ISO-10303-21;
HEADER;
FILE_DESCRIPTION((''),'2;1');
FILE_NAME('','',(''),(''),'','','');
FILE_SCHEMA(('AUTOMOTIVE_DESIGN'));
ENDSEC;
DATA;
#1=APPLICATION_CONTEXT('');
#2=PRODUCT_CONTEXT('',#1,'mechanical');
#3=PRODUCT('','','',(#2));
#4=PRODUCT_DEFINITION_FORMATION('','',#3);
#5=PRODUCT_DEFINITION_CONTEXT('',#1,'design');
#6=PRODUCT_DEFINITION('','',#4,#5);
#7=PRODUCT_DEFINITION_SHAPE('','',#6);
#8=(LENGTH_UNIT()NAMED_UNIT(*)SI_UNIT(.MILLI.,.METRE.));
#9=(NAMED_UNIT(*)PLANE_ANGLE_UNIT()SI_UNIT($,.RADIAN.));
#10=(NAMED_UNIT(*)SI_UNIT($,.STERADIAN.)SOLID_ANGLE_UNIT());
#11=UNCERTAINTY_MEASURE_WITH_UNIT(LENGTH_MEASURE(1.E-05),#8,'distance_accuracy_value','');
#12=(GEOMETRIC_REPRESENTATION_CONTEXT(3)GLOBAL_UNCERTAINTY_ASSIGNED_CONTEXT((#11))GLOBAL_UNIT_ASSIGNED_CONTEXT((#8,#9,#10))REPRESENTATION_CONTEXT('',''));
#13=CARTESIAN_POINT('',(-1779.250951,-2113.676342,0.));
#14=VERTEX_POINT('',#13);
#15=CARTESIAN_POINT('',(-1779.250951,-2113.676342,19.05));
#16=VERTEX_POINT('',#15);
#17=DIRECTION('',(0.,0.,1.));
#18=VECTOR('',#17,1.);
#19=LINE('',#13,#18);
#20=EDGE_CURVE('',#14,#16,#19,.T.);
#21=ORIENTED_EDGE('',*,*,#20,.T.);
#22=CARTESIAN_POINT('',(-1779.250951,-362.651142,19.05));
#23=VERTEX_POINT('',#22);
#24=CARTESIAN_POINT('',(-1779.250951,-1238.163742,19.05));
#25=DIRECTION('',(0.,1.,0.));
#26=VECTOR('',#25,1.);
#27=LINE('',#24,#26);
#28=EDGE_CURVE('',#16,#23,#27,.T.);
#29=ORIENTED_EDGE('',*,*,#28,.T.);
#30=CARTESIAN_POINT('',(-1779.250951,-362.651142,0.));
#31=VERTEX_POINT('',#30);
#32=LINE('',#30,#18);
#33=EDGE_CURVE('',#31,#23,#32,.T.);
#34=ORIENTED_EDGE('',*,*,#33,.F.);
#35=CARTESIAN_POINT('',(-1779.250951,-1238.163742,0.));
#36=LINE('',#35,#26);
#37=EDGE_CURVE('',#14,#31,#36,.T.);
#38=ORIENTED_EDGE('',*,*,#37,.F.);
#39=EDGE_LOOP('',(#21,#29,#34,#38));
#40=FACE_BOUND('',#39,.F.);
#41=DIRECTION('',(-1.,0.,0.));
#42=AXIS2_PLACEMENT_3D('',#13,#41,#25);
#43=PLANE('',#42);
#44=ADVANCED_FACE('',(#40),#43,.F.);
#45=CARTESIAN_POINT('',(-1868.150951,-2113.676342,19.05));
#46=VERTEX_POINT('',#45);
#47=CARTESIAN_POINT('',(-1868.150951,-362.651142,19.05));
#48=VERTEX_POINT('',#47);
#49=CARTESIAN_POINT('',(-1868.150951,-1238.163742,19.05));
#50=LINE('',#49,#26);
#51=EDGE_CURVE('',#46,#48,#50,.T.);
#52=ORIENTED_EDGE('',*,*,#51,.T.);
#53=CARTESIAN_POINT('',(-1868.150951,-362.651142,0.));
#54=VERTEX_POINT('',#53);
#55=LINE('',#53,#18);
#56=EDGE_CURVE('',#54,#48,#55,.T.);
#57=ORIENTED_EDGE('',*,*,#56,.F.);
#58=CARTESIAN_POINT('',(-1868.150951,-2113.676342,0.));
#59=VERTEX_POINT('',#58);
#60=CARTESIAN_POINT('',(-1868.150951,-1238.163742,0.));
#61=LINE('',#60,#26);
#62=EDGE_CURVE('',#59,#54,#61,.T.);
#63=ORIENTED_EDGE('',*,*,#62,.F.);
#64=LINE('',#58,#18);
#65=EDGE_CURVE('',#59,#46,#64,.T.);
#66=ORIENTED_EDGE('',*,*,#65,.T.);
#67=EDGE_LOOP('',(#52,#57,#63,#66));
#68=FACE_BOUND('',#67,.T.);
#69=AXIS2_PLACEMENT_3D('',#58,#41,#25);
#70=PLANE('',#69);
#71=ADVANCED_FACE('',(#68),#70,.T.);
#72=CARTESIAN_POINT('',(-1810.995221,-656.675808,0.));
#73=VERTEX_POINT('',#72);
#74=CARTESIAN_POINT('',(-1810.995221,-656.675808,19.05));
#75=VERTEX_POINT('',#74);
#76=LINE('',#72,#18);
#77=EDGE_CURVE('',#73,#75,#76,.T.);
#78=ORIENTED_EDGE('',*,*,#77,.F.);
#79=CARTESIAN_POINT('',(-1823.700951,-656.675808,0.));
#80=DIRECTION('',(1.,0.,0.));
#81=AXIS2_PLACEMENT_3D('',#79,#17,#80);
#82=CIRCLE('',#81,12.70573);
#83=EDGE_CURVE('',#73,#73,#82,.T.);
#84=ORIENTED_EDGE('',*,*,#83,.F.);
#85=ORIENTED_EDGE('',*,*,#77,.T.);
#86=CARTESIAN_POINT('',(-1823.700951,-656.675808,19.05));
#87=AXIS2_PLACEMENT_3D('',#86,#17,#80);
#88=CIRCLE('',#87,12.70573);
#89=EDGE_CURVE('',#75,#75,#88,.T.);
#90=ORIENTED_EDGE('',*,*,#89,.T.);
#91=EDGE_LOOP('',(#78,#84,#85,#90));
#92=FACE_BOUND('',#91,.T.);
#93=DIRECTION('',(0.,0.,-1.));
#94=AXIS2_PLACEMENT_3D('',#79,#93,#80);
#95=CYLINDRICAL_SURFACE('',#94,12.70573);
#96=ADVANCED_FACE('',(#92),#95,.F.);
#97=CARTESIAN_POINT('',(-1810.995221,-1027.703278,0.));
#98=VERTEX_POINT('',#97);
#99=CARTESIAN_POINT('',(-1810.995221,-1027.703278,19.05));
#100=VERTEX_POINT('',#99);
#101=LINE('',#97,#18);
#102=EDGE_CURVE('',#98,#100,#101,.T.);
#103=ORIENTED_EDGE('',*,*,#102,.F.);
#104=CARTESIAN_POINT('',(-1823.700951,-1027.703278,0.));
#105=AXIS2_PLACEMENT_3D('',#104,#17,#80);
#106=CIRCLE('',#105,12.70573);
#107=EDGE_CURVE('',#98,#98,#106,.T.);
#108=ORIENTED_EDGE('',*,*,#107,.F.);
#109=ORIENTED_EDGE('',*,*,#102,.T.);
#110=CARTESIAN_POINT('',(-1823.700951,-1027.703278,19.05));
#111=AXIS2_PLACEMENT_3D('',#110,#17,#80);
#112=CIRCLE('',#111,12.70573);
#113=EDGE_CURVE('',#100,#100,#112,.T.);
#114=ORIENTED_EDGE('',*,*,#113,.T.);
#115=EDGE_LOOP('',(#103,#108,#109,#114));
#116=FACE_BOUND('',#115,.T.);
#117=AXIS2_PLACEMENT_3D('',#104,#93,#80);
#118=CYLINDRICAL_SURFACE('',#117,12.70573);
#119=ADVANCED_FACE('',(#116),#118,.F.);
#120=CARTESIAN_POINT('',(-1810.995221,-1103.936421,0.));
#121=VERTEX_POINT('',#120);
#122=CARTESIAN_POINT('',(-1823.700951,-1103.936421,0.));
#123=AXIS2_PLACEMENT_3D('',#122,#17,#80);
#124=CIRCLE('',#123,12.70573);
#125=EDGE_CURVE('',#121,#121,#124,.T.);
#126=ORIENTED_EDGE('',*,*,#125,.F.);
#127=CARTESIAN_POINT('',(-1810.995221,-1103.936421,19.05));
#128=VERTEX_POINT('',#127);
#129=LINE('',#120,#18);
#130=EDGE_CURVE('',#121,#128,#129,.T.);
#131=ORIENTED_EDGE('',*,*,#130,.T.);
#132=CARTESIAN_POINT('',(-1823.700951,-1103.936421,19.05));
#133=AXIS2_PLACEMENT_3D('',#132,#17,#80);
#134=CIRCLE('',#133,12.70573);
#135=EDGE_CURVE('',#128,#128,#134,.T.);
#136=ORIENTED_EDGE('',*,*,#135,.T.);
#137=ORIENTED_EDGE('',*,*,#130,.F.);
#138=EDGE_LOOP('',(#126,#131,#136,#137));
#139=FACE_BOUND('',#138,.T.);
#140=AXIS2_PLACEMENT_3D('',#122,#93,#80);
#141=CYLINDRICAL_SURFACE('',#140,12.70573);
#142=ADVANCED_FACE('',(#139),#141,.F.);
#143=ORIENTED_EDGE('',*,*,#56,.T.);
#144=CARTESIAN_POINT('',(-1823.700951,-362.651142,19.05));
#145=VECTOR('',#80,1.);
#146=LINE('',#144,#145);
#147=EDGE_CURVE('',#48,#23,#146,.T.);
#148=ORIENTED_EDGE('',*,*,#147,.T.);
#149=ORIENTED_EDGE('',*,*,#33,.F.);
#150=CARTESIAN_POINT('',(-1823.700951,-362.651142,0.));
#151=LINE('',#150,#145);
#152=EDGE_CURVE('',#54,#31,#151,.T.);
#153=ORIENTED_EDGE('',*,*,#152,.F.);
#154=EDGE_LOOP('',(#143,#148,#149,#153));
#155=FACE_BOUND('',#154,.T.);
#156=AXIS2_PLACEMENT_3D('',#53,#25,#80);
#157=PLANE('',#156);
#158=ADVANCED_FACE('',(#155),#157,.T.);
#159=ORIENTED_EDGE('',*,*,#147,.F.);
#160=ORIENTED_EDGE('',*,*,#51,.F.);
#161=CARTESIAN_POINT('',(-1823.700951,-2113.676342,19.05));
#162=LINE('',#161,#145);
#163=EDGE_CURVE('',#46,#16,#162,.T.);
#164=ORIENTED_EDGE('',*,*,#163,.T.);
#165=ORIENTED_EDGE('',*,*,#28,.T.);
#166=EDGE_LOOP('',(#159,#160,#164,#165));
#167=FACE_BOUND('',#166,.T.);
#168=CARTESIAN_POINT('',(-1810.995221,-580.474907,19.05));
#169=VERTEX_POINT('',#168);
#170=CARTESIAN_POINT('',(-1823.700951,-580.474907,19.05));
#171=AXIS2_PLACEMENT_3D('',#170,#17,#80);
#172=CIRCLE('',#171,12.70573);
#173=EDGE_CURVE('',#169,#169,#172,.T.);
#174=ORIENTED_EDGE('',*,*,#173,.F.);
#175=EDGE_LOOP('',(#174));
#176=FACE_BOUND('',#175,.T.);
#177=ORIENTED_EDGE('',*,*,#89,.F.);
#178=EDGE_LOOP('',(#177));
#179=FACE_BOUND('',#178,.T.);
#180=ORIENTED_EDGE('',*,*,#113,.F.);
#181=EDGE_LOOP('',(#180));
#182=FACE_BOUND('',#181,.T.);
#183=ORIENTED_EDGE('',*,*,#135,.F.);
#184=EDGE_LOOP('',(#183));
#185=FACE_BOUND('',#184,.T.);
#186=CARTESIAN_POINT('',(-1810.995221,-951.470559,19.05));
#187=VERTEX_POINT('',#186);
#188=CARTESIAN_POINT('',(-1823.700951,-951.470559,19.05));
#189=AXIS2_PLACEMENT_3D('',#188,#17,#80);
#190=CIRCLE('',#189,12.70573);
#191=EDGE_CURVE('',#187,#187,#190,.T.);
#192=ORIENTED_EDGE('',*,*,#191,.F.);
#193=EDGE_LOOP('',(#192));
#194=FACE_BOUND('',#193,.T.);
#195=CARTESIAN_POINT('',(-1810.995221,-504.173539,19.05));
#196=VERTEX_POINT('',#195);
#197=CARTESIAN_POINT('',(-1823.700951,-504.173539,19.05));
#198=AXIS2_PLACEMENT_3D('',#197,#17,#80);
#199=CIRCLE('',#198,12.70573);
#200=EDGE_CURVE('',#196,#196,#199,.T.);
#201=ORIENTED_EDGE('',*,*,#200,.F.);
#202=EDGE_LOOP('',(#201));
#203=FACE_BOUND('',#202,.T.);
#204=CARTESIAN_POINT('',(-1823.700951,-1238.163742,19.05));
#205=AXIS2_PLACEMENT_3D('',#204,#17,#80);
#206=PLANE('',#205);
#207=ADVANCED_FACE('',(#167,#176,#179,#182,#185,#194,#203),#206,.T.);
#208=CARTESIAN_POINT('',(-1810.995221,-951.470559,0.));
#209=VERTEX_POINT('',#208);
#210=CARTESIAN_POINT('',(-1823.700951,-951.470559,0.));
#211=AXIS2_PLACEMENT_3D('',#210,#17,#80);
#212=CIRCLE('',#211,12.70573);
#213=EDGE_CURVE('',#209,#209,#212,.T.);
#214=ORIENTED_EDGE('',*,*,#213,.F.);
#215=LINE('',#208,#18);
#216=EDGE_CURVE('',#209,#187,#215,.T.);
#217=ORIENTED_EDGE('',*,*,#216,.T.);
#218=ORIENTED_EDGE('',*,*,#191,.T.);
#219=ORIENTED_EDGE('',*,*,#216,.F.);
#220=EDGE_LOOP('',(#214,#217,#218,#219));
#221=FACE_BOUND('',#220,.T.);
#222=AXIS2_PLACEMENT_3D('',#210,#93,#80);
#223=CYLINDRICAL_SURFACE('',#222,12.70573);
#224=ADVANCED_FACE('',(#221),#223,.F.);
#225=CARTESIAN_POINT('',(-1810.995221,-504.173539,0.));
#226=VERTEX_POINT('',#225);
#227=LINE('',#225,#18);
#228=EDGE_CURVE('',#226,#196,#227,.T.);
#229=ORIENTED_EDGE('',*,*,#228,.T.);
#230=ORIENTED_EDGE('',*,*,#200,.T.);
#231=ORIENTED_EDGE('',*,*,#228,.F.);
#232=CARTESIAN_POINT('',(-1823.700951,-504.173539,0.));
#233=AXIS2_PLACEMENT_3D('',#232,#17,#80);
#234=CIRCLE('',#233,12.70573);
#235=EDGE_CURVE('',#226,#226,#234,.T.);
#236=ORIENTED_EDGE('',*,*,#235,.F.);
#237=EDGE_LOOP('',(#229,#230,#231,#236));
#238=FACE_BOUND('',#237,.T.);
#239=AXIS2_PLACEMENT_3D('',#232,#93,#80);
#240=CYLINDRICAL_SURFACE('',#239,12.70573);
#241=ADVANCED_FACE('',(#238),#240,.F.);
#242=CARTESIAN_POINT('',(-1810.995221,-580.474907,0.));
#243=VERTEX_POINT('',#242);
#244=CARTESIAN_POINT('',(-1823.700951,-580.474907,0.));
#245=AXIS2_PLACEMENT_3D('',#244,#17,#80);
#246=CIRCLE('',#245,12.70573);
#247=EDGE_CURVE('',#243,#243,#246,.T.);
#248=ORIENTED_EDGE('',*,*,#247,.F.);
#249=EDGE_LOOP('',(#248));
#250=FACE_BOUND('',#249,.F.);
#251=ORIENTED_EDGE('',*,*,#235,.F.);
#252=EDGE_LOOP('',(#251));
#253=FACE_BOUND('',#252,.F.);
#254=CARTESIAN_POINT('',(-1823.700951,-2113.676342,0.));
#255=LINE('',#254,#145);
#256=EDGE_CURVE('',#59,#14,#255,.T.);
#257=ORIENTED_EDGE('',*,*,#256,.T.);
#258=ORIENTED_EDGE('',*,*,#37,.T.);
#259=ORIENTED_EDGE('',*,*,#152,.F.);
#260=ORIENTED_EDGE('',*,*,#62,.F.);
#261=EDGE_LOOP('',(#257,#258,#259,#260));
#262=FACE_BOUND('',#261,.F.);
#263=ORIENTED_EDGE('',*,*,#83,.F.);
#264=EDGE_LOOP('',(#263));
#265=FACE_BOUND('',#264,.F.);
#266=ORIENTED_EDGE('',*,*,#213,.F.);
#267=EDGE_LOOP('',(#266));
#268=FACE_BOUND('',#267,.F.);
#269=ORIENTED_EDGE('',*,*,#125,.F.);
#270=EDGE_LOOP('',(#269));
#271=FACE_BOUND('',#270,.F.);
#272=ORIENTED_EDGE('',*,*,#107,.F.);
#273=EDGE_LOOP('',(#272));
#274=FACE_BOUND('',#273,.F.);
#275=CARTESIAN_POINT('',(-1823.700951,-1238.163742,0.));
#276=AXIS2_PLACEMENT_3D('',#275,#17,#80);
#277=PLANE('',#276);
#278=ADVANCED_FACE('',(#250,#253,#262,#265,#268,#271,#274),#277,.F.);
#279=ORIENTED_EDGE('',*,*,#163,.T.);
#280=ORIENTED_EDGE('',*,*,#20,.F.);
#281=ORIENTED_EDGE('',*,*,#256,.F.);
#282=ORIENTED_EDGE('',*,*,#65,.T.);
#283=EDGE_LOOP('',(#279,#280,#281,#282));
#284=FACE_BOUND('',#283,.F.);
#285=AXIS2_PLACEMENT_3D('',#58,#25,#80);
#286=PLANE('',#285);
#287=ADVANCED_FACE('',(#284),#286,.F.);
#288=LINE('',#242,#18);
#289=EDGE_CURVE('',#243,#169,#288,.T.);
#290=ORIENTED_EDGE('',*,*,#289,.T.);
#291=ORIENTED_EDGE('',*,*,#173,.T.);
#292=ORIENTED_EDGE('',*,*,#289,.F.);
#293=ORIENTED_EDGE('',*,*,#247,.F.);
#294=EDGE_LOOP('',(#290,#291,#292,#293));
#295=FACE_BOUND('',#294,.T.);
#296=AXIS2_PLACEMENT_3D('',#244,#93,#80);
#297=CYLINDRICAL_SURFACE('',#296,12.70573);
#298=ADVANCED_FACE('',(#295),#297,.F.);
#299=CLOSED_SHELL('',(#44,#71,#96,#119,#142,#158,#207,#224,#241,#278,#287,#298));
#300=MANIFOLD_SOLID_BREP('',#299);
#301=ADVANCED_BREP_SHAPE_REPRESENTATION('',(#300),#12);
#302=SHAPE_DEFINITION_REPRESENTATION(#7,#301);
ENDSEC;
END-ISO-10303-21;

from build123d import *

# Parameters (mm, degrees)
F0_W     = 88.9
F0_H     = 1751.0252
F0_R     = 12.70573
F1_DEPTH = 19.05


with BuildPart() as f1:
    # F0 (on Top) → F1 (new body)
    with BuildSketch(Plane.XY):
        with Locations((-1823.700951, -1238.163742)):
            Rectangle(F0_W, F0_H)
        with Locations((-1823.700951, -1103.936421)):
            Circle(F0_R, mode=Mode.SUBTRACT)
        with Locations((-1823.700951, -1027.703278)):
            Circle(F0_R, mode=Mode.SUBTRACT)
        with Locations((-1823.700951, -951.470559)):
            Circle(F0_R, mode=Mode.SUBTRACT)
        with Locations((-1823.700951, -656.675808)):
            Circle(F0_R, mode=Mode.SUBTRACT)
        with Locations((-1823.700951, -580.474907)):
            Circle(F0_R, mode=Mode.SUBTRACT)
        with Locations((-1823.700951, -504.173539)):
            Circle(F0_R, mode=Mode.SUBTRACT)
    extrude(amount=F1_DEPTH)


solid = f1.part
